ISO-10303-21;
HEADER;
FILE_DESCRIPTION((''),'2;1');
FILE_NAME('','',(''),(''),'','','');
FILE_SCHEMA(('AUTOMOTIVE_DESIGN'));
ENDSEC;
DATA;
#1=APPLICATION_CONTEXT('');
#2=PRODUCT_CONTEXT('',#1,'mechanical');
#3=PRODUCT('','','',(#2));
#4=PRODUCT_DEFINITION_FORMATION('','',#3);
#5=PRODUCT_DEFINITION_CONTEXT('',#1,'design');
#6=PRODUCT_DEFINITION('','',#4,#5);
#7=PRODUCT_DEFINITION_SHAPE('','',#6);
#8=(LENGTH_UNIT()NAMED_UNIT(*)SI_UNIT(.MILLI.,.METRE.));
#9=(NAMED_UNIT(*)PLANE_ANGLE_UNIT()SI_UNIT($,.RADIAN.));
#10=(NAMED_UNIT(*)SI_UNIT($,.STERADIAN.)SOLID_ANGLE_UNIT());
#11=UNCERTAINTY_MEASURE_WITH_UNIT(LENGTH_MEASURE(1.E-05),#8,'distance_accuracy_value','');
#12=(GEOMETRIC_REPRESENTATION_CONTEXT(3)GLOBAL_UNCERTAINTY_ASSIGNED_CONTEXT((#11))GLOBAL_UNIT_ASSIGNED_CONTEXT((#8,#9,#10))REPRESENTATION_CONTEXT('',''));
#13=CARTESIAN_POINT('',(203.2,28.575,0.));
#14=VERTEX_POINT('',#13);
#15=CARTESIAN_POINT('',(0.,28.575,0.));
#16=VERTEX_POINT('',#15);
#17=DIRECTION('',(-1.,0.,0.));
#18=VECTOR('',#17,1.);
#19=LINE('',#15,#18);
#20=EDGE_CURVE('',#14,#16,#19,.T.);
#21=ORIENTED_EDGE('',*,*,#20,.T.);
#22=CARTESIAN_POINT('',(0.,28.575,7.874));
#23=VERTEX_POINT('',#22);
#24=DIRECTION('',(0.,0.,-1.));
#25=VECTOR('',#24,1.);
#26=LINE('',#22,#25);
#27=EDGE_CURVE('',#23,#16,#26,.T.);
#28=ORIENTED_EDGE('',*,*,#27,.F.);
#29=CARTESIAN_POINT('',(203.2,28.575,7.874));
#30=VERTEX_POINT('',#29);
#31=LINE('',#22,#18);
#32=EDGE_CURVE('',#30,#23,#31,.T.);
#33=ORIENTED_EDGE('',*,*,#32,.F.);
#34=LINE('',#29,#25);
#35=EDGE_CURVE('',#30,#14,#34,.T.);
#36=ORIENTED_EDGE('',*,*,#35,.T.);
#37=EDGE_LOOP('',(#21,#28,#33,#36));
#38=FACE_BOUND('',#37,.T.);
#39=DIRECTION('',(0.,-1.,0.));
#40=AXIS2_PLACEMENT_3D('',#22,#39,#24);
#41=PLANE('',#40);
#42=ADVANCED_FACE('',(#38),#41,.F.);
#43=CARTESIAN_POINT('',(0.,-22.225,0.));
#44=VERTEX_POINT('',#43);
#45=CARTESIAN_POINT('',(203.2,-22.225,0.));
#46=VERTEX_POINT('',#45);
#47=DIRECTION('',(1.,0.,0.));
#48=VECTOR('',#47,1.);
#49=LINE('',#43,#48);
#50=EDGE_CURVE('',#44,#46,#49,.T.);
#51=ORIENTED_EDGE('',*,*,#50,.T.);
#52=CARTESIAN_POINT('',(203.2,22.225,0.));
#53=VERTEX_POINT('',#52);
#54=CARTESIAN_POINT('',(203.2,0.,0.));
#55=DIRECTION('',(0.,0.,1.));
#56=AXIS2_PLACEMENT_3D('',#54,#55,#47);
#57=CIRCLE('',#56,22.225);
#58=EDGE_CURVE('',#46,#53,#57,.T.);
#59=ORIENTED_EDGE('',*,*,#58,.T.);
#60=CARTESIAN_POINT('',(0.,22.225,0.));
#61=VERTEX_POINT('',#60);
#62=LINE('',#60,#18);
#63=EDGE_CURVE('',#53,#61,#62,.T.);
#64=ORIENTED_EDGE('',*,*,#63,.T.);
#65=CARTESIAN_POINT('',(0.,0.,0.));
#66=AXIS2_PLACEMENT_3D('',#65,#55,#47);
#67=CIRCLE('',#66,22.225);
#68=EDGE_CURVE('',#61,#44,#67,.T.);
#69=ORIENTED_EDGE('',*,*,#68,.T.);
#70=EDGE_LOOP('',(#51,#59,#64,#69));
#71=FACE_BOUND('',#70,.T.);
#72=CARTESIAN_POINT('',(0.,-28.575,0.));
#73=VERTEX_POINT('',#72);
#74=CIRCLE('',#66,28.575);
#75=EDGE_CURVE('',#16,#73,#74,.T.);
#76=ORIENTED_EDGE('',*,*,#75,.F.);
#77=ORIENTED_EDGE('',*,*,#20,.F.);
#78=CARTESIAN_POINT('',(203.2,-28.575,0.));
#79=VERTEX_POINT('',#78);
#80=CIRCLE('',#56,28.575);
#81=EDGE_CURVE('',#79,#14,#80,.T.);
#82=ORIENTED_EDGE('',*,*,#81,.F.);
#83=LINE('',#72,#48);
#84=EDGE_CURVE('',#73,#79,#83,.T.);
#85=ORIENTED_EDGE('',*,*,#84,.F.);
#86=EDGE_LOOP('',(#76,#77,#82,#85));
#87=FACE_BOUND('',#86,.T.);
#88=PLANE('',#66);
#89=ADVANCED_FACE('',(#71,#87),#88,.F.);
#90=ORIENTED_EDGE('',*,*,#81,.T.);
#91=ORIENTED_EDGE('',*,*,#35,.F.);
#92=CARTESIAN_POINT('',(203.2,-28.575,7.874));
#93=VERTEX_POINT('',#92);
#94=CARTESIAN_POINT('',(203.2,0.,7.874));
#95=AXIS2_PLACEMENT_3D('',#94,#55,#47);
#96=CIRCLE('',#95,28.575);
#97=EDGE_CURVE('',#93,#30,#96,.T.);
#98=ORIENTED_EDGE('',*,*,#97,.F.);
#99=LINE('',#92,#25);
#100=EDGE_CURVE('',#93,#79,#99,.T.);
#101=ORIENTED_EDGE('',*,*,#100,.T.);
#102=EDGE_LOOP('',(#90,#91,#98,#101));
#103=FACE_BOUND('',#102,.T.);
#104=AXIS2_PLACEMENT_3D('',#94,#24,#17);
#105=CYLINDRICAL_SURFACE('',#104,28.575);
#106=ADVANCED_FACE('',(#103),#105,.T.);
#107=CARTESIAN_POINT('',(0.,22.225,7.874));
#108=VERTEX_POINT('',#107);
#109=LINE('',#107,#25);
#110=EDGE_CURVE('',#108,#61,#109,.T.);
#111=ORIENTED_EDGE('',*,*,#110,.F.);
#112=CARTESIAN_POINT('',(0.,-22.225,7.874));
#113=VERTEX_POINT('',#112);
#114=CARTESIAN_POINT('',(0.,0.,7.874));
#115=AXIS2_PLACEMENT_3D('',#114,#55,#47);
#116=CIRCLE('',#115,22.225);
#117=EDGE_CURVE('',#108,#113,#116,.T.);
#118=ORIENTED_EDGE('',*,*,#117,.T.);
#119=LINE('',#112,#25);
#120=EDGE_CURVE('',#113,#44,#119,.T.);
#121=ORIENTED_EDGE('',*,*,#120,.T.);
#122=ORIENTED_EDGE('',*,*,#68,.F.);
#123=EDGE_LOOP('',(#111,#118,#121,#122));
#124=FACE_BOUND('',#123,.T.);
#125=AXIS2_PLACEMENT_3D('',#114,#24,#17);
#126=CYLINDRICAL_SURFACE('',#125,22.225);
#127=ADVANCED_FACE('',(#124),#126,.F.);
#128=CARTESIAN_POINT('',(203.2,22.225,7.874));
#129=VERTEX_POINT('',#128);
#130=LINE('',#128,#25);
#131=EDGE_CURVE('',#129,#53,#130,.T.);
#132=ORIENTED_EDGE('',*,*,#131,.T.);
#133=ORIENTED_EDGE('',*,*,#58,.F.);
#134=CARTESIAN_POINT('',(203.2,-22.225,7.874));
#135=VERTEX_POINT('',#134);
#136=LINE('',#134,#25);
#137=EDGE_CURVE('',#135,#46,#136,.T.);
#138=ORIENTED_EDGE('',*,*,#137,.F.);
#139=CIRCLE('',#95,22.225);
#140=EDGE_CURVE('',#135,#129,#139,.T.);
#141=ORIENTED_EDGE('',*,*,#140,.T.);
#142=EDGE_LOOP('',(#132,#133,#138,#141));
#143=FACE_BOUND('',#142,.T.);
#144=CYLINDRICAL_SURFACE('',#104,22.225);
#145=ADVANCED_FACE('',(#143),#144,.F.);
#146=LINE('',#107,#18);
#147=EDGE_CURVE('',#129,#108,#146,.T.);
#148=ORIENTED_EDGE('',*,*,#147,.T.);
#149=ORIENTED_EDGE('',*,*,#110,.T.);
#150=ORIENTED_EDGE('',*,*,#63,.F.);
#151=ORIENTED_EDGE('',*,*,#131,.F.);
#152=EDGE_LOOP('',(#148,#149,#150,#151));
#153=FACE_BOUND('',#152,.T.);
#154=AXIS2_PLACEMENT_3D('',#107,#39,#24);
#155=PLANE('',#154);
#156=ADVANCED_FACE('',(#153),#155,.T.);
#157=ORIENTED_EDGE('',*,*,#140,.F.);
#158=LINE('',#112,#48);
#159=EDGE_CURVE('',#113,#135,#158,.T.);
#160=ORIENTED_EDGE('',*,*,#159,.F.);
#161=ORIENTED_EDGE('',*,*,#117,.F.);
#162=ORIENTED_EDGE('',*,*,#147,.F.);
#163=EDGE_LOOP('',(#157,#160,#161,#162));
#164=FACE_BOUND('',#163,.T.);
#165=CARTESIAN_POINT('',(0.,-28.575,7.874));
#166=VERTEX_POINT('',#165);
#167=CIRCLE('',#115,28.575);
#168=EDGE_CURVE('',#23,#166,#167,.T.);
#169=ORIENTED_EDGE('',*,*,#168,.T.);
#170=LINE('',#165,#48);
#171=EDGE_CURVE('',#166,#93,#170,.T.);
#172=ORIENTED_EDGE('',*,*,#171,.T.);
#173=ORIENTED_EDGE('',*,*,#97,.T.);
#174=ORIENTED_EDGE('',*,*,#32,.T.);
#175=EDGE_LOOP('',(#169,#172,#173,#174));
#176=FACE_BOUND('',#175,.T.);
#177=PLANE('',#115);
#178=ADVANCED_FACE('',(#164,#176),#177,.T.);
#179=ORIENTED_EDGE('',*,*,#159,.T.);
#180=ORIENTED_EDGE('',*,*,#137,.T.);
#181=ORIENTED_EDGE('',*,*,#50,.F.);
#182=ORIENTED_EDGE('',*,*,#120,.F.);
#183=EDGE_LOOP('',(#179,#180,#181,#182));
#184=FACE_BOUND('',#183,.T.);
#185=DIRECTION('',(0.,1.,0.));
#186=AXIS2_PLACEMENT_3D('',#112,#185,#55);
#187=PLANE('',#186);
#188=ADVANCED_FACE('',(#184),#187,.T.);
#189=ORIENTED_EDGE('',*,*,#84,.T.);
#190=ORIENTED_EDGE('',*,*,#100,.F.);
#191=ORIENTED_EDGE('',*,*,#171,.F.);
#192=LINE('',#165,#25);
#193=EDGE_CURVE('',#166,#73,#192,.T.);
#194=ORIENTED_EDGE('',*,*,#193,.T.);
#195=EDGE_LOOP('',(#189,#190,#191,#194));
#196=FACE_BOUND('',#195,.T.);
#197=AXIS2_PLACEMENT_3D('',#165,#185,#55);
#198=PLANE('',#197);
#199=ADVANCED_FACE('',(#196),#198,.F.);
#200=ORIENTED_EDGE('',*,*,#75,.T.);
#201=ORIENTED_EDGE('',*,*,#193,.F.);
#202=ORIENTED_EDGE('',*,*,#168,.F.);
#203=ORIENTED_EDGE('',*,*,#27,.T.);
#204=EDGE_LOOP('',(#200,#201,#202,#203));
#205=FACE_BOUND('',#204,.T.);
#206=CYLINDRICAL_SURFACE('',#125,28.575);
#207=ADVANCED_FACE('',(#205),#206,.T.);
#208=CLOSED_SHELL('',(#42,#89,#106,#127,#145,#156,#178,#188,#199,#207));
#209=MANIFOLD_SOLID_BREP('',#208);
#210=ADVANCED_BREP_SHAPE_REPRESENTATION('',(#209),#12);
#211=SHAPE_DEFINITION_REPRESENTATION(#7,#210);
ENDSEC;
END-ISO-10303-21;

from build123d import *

# Parameters (mm, degrees)
BOSS_EXTRUDE1_DEPTH = 7.874


with BuildPart() as part:
    # Sketch1 → Boss-Extrude1 (new body)
    with BuildSketch(Plane.XY):
        with BuildLine():
            Line((0, 28.575), (203.2, 28.575))
            ThreePointArc((203.2, 28.575), (231.775, 0), (203.2, -28.575))
            Line((203.2, -28.575), (0, -28.575))
            ThreePointArc((0, -28.575), (-28.575, 0), (0, 28.575))
        make_face()
        with BuildLine():
            Line((0, 22.225), (203.2, 22.225))
            ThreePointArc((203.2, 22.225), (225.425, 0), (203.2, -22.225))
            Line((203.2, -22.225), (0, -22.225))
            ThreePointArc((0, -22.225), (-22.225, 0), (0, 22.225))
        make_face(mode=Mode.SUBTRACT)
    extrude(amount=BOSS_EXTRUDE1_DEPTH)


solid = part.part
